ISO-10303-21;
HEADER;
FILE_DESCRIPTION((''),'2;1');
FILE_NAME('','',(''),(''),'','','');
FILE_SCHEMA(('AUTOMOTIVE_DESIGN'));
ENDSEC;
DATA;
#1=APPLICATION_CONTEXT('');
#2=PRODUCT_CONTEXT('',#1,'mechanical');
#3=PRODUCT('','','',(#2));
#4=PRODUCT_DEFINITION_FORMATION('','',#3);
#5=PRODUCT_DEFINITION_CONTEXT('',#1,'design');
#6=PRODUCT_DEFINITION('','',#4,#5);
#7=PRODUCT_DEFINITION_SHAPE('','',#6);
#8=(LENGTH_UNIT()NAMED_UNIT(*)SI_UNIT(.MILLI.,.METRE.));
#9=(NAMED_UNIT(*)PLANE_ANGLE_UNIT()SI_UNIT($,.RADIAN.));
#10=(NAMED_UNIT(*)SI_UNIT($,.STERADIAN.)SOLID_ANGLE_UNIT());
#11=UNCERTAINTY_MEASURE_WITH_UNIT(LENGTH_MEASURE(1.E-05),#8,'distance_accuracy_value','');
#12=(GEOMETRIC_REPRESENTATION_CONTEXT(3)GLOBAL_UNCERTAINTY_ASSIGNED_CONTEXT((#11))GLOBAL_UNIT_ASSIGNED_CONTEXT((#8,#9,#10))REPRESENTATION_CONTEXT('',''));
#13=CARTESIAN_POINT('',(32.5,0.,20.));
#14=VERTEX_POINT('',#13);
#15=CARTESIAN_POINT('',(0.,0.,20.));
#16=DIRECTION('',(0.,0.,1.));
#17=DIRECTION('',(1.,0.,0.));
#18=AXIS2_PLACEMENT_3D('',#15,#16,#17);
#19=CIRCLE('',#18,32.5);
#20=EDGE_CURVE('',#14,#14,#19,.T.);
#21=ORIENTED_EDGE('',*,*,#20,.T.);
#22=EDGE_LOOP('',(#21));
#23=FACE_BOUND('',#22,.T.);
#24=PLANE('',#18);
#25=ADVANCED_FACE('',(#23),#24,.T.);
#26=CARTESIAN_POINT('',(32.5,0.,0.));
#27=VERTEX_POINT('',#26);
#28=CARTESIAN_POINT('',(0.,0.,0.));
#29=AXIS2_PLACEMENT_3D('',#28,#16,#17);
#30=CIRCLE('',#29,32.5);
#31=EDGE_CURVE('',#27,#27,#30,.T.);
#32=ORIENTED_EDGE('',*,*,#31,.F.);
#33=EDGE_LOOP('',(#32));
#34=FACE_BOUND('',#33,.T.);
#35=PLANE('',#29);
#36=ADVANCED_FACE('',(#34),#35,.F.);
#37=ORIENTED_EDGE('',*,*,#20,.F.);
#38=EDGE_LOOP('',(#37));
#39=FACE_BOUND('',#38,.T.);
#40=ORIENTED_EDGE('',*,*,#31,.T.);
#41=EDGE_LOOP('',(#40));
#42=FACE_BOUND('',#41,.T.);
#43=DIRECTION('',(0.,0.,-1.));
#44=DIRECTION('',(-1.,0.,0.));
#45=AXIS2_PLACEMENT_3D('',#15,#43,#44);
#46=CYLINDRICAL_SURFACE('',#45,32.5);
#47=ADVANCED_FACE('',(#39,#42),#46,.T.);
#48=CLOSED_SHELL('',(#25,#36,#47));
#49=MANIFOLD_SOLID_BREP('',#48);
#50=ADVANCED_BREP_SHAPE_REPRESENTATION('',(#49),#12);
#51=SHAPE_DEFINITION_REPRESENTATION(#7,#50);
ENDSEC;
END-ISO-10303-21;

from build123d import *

# Parameters (mm, degrees)
SKETCH_1_R      = 32.5
EXTRUDE_1_DEPTH = 20


with BuildPart() as part:
    # 草图1 → 凸台-拉伸1 (new body)
    with BuildSketch(Plane.XY):
        Circle(SKETCH_1_R)
    extrude(amount=EXTRUDE_1_DEPTH)


solid = part.part
